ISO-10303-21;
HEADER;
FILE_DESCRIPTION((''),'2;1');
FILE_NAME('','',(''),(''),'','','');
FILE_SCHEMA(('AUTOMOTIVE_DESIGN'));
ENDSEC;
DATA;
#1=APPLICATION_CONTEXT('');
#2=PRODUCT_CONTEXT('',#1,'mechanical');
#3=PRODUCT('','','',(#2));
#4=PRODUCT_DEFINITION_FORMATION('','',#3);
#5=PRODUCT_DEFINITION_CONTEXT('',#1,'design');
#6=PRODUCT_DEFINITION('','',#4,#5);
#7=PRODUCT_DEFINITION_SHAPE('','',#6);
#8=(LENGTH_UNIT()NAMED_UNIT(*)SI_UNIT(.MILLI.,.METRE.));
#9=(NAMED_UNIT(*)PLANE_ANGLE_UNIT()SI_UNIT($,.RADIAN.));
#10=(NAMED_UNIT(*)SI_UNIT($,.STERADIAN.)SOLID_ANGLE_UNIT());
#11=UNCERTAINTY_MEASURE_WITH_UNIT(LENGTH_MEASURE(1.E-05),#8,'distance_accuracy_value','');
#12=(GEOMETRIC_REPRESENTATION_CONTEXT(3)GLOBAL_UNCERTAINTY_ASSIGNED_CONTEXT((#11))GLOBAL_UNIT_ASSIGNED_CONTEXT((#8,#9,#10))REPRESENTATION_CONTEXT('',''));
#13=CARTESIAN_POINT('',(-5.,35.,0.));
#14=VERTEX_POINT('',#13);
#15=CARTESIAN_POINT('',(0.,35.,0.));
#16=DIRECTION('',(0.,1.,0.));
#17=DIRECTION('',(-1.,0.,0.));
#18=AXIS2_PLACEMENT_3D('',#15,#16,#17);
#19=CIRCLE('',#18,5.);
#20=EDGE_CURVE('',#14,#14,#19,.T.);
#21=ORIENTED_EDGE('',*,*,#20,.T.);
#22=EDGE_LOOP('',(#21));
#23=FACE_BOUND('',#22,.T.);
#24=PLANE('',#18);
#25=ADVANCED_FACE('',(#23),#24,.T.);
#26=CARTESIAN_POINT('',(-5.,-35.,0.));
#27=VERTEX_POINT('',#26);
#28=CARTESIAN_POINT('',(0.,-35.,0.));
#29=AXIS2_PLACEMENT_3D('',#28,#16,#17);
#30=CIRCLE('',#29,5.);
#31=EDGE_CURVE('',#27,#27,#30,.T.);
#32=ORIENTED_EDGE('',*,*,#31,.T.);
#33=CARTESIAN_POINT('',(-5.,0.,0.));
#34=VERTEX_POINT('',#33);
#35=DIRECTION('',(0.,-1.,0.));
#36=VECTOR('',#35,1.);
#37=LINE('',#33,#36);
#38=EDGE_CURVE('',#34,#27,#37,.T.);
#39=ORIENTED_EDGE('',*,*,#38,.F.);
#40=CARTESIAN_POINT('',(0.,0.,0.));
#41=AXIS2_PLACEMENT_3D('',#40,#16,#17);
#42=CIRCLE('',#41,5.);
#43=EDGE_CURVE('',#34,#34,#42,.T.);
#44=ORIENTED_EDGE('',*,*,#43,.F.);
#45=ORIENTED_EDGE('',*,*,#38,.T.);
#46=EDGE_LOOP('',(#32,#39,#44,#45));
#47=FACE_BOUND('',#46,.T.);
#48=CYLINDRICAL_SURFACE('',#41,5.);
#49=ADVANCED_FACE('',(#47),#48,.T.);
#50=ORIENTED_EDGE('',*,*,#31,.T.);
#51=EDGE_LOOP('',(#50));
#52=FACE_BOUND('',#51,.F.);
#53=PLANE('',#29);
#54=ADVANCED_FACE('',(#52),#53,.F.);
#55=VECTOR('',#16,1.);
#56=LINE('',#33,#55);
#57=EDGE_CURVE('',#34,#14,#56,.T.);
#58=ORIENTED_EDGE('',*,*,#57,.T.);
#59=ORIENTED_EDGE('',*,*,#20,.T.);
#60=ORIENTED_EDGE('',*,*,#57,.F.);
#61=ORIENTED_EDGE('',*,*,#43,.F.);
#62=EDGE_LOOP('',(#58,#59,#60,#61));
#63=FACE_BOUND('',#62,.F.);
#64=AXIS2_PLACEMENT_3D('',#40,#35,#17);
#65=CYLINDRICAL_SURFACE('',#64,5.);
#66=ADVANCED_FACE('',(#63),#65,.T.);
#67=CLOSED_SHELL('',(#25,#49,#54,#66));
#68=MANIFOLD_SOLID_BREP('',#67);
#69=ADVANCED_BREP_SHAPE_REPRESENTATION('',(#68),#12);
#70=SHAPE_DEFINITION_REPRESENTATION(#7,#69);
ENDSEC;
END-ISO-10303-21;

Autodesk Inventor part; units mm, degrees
ref_plane "YZ Plane" through (0, 0, 0) normal (1, 0, 0) x (0, 1, 0)
ref_plane "XZ Plane" through (0, 0, 0) normal (0, 1, 0) x (-1, 0, 0)
ref_plane "XY Plane" through (0, 0, 0) normal (0, 0, 1) x (1, 0, 0)
sketch "Sketch1" plane through (0, 0, 0) normal (0, 1, 0) x (-1, 0, 0)
  circle A0 centre (0, 0) radius 5
  dimension "d0" = 10
extrude "Extrusion1" add sketch "Sketch1" along normal mid plane 70
properties part number "13_Truc_phi_10x70" material "Stainless Steel, Austenitic"
